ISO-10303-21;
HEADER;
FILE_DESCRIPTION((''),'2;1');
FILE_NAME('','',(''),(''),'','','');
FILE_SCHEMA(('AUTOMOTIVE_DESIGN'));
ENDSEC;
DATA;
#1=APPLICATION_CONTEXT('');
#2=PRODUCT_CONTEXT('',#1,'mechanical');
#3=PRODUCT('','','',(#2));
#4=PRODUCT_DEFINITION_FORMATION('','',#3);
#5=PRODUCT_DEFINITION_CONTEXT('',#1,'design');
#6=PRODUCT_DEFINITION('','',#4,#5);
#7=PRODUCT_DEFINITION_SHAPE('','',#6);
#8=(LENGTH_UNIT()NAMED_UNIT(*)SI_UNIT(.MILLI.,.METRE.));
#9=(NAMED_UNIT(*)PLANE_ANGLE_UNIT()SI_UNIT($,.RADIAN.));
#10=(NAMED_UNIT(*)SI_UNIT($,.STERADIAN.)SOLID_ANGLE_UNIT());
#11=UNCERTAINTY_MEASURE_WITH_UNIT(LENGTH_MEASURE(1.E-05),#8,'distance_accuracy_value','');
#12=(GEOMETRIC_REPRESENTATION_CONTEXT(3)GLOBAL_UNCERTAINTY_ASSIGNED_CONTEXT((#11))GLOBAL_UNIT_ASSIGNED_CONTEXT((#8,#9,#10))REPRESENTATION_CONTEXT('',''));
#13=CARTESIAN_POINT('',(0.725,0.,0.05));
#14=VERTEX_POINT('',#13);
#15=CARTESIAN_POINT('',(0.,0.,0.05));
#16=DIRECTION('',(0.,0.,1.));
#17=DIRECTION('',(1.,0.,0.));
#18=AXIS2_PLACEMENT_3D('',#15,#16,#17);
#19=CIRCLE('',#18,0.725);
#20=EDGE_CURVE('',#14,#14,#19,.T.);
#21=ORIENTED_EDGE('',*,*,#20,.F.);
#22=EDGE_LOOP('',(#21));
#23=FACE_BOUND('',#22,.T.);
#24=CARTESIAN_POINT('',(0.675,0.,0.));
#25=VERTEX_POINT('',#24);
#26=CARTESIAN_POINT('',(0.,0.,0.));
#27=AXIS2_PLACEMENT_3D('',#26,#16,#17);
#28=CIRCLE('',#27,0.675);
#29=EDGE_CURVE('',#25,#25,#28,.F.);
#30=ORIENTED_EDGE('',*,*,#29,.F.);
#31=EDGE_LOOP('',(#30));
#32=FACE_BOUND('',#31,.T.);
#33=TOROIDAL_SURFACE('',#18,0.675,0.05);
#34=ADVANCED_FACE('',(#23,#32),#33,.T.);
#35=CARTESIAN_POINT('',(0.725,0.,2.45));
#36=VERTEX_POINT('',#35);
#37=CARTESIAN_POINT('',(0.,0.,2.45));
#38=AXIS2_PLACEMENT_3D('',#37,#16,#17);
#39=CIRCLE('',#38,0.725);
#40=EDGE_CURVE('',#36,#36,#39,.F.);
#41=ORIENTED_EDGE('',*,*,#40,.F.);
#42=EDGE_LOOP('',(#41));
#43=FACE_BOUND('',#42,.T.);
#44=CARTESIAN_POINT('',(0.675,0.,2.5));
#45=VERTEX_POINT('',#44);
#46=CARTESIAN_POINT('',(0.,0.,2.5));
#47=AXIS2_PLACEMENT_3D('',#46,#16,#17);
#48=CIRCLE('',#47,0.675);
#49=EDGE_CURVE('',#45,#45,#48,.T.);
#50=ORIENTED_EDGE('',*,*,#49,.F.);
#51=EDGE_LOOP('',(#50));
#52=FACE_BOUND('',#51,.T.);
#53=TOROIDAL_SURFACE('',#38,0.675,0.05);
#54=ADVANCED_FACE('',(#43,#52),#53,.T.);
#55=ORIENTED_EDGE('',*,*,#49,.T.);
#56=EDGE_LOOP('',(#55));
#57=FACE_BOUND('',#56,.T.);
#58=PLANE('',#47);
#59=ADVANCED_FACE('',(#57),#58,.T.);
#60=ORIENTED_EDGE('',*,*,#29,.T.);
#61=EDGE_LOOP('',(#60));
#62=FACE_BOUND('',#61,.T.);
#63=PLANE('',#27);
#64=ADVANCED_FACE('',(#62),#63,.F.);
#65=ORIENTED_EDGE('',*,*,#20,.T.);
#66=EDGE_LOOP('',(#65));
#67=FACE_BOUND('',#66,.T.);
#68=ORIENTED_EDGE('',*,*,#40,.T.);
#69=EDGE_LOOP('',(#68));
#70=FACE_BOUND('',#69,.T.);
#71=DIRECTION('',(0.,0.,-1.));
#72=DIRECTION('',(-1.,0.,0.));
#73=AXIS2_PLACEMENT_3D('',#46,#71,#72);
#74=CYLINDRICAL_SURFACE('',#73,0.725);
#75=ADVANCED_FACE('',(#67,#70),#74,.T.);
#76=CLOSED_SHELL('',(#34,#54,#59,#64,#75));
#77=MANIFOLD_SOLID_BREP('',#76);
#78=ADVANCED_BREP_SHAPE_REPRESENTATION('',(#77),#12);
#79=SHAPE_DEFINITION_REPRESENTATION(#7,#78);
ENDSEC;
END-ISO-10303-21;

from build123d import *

# Parameters (mm, degrees)
CROQUIS1_R              = 0.725
SALIENTE_EXTRUIR1_DEPTH = 2.5
REDONDEO1_R             = 0.05


with BuildPart() as part:
    # Croquis1 → Saliente-Extruir1 (new body)
    with BuildSketch(Plane.XY):
        Circle(CROQUIS1_R)
    extrude(amount=SALIENTE_EXTRUIR1_DEPTH)

    # Redondeo1
    redondeo1_edges = [part.edges().sort_by_distance(p)[0] for p in [
        (-0.725, 0, 0),
        (-0.725, 0, 2.5),
    ]]
    fillet(redondeo1_edges, radius=REDONDEO1_R)


solid = part.part
